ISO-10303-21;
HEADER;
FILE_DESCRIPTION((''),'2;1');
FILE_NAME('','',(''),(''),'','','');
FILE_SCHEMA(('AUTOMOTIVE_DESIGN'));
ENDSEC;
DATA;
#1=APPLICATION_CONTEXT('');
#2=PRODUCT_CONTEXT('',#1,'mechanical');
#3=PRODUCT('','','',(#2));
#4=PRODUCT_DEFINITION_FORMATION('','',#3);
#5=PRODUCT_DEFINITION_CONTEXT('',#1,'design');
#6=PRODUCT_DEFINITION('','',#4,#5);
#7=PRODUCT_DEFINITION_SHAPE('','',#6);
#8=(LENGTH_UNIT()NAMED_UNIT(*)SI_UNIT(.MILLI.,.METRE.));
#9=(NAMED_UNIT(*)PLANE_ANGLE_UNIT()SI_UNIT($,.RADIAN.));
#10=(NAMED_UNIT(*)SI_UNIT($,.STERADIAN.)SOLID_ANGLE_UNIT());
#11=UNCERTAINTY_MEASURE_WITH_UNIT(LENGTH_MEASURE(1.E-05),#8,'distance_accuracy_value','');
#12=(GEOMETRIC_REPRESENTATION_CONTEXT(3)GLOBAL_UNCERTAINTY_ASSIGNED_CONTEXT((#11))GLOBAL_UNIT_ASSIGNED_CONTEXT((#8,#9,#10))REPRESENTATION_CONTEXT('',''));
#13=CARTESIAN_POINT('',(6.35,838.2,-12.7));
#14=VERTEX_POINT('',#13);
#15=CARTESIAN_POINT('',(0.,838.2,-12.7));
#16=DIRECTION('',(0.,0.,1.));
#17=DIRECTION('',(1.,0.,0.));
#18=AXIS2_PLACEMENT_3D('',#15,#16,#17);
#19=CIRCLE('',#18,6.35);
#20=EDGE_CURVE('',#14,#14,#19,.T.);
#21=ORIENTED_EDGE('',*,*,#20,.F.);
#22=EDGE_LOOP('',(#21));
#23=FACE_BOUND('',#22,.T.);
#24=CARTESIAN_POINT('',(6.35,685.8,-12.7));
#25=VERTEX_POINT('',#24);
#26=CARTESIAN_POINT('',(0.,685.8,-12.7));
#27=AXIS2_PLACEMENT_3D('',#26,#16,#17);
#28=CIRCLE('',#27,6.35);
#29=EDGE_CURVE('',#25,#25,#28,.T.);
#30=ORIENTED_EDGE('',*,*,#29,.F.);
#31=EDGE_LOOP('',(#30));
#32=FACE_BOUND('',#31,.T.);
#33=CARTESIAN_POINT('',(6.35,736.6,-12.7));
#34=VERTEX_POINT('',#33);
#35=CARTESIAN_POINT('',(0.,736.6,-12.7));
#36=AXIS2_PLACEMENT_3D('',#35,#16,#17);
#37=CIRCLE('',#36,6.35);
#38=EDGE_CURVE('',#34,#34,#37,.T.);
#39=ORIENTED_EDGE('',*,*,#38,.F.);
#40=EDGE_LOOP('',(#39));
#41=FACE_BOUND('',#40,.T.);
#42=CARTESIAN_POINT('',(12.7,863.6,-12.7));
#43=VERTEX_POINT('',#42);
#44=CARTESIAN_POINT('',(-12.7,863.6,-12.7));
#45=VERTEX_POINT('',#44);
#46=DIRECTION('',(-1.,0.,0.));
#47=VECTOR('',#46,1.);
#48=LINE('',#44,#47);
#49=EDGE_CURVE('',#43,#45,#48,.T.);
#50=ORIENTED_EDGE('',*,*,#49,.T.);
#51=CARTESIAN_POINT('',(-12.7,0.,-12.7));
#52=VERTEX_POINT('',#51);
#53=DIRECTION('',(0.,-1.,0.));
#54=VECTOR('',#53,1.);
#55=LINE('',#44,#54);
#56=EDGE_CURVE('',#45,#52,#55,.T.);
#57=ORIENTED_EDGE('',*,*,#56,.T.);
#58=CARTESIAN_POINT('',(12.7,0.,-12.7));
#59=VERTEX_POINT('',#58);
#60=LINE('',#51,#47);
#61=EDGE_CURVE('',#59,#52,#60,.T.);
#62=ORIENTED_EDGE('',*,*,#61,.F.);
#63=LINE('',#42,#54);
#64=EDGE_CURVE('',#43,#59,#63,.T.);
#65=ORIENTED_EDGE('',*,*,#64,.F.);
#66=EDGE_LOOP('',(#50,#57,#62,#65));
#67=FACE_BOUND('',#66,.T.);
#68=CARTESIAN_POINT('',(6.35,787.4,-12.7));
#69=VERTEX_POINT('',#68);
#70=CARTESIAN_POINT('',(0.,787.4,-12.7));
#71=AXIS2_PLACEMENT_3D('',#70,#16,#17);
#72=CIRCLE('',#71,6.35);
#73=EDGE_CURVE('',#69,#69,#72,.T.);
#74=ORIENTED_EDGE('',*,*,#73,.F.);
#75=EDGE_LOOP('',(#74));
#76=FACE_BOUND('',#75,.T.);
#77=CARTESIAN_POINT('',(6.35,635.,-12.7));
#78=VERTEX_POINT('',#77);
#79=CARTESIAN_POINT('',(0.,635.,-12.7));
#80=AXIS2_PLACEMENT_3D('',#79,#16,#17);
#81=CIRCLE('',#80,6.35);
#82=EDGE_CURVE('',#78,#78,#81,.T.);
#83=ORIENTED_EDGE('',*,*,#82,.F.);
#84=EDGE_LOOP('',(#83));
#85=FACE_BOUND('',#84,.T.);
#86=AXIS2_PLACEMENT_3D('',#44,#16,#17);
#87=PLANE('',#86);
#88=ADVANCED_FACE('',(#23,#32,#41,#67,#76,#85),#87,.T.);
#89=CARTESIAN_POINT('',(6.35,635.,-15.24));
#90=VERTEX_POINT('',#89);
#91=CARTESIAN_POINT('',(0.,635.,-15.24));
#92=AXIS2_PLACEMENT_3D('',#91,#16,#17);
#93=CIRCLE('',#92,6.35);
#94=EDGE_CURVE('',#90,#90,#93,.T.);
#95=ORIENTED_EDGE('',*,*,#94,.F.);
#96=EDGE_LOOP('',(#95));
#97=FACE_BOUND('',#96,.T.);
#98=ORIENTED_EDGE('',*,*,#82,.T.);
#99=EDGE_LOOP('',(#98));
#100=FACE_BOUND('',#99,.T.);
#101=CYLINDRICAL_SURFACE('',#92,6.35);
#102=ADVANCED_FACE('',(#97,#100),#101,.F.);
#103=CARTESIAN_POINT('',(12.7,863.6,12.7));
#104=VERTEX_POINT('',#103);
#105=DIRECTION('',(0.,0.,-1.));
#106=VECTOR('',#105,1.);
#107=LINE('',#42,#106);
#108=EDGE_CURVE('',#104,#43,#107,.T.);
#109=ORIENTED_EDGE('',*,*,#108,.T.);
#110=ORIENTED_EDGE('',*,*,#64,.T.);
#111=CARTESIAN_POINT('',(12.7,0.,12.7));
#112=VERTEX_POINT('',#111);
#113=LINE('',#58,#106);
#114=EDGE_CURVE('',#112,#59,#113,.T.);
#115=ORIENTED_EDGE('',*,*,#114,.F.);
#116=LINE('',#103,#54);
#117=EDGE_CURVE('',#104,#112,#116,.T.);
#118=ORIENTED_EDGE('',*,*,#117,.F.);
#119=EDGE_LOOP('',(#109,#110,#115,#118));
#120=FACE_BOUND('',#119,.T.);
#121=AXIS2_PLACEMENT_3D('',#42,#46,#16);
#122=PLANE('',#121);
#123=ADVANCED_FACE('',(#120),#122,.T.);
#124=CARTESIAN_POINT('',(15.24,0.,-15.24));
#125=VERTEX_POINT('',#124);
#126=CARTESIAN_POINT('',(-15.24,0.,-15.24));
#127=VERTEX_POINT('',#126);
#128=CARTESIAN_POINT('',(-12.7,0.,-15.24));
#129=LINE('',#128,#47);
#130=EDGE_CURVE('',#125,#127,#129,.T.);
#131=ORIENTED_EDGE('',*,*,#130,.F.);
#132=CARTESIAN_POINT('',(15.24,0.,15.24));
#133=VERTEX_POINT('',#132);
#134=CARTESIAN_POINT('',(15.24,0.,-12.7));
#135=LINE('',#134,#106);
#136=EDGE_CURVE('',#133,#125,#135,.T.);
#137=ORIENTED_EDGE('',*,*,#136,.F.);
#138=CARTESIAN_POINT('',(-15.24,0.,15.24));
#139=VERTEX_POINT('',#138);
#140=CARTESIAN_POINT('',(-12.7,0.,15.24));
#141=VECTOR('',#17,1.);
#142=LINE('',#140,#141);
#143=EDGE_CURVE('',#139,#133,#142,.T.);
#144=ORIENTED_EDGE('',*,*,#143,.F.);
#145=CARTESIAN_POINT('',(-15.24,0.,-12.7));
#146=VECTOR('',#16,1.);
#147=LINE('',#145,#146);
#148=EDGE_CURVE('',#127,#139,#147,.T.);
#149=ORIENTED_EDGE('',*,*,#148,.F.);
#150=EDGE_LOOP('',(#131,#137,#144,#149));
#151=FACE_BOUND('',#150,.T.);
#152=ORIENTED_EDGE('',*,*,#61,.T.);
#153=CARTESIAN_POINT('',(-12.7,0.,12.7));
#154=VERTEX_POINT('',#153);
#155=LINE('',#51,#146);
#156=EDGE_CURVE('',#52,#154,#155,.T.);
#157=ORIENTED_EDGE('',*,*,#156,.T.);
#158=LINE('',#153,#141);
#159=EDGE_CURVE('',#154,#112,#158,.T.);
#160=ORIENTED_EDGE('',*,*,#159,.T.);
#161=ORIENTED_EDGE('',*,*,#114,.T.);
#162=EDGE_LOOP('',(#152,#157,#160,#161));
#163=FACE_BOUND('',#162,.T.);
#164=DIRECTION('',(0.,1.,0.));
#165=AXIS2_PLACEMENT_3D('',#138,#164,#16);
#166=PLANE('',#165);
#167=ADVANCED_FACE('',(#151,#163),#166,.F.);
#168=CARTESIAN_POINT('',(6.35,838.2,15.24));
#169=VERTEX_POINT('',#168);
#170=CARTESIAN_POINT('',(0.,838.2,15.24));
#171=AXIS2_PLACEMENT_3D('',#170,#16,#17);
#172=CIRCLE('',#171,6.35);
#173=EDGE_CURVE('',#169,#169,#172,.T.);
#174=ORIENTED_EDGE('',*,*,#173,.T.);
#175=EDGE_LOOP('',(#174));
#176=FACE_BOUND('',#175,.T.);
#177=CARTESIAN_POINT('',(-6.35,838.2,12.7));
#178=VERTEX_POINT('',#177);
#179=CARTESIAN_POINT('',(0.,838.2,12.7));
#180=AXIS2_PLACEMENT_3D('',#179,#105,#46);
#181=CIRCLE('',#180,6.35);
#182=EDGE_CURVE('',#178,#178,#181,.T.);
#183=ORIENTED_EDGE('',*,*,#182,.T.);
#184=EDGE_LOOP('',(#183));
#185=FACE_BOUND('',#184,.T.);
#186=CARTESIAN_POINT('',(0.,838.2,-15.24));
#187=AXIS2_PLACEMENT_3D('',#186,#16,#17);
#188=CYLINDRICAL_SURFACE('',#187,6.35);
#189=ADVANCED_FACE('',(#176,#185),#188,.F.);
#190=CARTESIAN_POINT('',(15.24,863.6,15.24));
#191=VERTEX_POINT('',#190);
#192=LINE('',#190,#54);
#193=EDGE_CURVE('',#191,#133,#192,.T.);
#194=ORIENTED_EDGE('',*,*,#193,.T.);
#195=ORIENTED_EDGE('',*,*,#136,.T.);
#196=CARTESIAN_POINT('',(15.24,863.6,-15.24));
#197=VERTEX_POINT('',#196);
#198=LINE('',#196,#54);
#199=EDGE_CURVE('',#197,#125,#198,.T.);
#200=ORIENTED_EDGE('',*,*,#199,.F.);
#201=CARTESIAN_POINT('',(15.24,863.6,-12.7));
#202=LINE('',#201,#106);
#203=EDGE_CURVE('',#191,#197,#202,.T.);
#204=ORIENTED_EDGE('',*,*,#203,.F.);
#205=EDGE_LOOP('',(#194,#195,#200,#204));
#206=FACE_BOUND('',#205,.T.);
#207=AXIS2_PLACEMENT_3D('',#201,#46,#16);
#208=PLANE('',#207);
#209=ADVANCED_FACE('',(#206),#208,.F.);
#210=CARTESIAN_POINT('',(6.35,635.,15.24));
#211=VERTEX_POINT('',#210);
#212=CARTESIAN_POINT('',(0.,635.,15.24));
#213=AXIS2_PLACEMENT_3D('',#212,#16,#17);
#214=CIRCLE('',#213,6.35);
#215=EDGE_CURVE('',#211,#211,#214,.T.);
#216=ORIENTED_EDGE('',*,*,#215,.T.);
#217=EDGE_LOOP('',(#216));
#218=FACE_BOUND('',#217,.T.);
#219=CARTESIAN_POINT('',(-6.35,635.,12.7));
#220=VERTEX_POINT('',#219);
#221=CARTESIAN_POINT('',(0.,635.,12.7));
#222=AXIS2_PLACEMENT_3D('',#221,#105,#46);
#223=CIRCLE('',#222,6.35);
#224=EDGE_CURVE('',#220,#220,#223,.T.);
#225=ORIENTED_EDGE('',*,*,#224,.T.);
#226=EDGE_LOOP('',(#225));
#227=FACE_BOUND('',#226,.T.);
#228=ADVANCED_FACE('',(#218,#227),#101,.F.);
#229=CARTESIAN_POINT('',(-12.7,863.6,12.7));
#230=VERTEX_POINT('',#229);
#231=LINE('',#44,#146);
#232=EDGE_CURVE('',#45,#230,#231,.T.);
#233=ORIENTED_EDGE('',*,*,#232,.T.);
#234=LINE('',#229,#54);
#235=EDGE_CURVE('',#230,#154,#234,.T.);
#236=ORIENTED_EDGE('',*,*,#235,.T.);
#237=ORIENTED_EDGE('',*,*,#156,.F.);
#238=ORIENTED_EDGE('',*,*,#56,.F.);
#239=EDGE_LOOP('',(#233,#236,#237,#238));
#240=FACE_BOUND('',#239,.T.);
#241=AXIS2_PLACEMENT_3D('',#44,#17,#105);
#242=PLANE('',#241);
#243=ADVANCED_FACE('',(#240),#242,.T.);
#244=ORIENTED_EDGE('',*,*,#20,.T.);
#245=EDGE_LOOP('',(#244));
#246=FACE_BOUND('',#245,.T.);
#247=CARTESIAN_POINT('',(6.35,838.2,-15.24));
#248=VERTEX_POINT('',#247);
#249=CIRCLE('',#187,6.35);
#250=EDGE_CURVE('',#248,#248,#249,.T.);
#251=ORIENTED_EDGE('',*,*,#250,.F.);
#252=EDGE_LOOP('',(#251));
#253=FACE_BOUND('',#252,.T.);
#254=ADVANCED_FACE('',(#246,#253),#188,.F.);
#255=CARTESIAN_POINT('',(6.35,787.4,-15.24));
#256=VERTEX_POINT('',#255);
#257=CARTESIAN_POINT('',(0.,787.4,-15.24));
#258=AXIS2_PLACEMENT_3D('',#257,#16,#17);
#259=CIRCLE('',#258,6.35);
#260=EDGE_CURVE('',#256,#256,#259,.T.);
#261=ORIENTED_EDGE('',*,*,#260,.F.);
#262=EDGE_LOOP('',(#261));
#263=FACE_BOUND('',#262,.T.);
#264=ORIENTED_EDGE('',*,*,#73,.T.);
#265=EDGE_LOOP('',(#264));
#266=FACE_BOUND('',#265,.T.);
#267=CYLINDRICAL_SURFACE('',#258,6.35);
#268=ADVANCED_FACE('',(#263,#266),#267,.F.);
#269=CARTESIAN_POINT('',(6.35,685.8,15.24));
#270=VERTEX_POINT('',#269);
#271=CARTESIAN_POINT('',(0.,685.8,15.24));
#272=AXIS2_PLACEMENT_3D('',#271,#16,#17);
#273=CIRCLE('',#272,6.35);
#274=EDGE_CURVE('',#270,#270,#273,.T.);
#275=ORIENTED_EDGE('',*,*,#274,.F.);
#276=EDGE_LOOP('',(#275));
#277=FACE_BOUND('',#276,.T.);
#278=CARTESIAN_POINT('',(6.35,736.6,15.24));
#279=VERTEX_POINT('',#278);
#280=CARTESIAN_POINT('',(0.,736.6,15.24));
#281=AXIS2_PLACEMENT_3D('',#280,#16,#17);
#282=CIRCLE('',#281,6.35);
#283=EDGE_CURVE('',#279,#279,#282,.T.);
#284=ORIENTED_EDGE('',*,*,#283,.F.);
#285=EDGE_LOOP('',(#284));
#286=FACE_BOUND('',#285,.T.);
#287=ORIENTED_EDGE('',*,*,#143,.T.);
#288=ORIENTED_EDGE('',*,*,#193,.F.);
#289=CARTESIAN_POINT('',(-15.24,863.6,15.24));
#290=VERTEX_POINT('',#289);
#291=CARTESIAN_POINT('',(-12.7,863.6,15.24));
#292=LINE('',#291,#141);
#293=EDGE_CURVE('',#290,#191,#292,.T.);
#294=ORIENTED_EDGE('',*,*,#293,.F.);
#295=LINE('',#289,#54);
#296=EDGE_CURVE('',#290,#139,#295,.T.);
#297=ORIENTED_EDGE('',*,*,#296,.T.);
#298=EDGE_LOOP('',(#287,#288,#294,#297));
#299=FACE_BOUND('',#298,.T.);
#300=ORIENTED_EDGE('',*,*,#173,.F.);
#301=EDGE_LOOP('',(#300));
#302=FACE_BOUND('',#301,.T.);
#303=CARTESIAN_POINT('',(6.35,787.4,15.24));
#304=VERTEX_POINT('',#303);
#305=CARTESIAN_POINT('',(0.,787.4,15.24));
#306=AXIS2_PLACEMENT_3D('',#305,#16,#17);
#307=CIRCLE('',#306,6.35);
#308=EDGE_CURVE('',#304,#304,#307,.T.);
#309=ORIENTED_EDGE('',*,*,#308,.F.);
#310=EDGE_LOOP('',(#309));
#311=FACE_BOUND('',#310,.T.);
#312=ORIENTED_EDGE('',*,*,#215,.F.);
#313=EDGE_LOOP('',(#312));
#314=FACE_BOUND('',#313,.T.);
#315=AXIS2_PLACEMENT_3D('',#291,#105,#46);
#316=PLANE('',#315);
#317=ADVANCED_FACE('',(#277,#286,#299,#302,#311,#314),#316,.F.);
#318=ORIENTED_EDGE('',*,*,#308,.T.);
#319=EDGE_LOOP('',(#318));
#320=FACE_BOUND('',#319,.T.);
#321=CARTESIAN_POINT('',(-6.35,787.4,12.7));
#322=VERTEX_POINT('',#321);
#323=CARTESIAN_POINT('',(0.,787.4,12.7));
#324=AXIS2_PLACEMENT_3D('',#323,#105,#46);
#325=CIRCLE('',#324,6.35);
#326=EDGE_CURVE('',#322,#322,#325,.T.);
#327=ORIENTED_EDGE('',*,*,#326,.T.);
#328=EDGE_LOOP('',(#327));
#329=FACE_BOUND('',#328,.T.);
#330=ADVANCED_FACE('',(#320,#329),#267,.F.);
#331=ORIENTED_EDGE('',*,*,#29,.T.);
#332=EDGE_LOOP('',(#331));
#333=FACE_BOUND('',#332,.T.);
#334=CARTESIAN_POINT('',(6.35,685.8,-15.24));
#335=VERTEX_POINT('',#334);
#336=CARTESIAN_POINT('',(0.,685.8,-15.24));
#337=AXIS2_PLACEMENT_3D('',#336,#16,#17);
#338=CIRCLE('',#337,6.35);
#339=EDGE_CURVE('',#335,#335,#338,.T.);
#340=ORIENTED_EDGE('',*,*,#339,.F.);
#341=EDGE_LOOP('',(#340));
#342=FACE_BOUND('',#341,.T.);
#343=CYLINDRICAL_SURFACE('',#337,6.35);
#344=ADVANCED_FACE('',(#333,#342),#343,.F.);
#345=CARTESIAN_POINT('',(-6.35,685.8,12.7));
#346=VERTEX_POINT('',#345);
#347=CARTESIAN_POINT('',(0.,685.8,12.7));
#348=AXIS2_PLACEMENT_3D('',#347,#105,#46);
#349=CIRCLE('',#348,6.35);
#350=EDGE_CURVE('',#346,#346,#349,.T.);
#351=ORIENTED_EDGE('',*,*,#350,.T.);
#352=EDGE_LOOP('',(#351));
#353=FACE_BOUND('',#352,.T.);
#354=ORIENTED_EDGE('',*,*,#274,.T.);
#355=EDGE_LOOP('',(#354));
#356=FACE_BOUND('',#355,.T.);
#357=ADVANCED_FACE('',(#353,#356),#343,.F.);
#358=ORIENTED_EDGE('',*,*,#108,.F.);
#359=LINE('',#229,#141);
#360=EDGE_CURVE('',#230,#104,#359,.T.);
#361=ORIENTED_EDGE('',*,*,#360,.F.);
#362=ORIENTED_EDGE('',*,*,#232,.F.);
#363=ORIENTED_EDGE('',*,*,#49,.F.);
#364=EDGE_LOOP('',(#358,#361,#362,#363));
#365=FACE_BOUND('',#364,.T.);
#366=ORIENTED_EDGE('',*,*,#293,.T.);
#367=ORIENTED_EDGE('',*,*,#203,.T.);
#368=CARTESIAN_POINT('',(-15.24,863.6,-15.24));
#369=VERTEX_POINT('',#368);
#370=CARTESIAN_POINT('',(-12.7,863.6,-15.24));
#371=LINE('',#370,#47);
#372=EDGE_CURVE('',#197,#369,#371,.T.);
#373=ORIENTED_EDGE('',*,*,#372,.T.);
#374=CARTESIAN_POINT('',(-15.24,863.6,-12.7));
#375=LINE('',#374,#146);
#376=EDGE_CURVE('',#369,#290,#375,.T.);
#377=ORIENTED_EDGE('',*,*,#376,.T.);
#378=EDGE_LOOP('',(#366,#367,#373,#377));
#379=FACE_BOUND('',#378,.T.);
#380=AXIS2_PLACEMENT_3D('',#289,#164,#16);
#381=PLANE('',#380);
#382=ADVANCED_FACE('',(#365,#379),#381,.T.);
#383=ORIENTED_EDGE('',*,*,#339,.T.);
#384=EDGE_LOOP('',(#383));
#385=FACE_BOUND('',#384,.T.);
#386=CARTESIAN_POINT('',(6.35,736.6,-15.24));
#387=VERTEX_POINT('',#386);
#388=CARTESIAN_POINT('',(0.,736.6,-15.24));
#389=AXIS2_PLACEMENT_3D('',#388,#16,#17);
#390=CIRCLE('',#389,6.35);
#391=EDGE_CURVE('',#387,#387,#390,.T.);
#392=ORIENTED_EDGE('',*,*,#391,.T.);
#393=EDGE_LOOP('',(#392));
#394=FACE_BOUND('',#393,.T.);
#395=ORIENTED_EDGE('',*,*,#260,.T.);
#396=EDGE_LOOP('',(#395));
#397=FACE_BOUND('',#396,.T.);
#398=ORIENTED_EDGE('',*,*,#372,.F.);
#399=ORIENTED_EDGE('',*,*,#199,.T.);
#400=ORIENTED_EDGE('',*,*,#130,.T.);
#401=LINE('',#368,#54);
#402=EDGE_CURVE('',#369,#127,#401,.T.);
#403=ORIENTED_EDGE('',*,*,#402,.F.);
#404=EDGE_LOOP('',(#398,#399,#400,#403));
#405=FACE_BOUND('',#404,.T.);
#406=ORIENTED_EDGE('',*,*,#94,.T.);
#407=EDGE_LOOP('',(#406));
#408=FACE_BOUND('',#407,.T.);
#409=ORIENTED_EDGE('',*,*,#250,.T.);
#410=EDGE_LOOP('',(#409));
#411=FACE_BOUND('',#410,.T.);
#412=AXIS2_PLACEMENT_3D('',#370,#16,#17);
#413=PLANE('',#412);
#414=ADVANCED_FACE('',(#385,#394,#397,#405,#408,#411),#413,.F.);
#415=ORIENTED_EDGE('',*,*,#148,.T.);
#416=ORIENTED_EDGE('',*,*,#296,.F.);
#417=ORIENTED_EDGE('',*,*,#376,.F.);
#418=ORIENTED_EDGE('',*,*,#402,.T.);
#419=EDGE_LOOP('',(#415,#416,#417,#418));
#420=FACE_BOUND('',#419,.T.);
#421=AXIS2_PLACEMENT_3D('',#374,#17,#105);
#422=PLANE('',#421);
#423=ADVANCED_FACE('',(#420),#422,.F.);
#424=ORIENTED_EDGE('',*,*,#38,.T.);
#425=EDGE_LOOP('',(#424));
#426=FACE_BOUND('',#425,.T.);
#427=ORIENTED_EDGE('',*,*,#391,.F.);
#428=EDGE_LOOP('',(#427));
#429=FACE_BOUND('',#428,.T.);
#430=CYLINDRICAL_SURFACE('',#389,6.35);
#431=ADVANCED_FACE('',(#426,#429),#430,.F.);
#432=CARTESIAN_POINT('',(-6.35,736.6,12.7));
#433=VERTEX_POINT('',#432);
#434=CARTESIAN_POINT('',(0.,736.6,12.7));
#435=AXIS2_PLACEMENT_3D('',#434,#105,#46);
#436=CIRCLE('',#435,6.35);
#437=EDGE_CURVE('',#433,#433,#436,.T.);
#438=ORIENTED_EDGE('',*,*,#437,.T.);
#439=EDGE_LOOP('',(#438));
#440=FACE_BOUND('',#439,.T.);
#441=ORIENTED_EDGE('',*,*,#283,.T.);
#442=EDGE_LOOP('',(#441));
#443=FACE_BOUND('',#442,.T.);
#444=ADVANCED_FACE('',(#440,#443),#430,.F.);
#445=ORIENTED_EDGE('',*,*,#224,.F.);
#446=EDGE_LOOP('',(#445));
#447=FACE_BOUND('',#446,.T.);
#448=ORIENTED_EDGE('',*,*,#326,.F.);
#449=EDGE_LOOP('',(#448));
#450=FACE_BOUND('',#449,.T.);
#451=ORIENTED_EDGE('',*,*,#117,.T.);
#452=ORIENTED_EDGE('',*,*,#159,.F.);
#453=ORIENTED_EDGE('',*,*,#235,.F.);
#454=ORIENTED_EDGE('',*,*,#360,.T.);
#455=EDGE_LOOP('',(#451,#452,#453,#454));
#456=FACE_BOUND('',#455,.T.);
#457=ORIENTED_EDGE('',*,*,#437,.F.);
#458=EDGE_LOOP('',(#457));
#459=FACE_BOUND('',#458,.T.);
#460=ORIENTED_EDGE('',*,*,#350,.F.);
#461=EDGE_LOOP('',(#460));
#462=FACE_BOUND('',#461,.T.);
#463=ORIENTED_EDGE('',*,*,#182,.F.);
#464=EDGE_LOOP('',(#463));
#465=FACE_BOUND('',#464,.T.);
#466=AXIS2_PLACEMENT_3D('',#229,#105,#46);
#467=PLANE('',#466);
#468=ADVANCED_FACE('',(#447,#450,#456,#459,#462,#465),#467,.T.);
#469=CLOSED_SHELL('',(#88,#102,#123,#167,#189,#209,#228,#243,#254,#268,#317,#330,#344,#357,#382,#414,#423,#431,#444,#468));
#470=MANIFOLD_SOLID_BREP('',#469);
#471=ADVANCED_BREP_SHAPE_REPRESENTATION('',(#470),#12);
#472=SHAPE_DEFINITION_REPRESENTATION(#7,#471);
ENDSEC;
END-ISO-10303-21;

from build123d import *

# Parameters (mm, degrees)
SKETCH1_W           = 30.48
SKETCH1_H           = 30.48
SKETCH1_W_2         = 25.4
SKETCH1_H_2         = 25.4
EXTRUDE_THIN1_DEPTH = 863.6
SKETCH2_R           = 6.35
CUT_EXTRUDE1_DEPTH  = 865.272091416
LPATTERN1_COUNT     = 5
LPATTERN1_PITCH     = 50.8


with BuildPart() as part:
    # Sketch1 → Extrude-Thin1 (new body)
    with BuildSketch(Plane(origin=(0, 0, 0), x_dir=(1, 0, 0), z_dir=(0, 1, 0))):
        Rectangle(SKETCH1_W, SKETCH1_H)
        Rectangle(SKETCH1_W_2, SKETCH1_H_2, mode=Mode.SUBTRACT)
    extrude(amount=EXTRUDE_THIN1_DEPTH)

    # Sketch2 → Cut-Extrude1 (cut, through all)
    with BuildSketch(Plane.XY.offset(15.24)):
        with Locations((0, 838.2)):
            Circle(SKETCH2_R)
    cut_extrude1 = extrude(amount=-CUT_EXTRUDE1_DEPTH, mode=Mode.SUBTRACT)

    # LPattern1: Cut-Extrude1 ×5
    with Locations(*[(0, -i * LPATTERN1_PITCH, 0) for i in range(1, LPATTERN1_COUNT)]):
        add(cut_extrude1, mode=Mode.SUBTRACT)


solid = part.part
